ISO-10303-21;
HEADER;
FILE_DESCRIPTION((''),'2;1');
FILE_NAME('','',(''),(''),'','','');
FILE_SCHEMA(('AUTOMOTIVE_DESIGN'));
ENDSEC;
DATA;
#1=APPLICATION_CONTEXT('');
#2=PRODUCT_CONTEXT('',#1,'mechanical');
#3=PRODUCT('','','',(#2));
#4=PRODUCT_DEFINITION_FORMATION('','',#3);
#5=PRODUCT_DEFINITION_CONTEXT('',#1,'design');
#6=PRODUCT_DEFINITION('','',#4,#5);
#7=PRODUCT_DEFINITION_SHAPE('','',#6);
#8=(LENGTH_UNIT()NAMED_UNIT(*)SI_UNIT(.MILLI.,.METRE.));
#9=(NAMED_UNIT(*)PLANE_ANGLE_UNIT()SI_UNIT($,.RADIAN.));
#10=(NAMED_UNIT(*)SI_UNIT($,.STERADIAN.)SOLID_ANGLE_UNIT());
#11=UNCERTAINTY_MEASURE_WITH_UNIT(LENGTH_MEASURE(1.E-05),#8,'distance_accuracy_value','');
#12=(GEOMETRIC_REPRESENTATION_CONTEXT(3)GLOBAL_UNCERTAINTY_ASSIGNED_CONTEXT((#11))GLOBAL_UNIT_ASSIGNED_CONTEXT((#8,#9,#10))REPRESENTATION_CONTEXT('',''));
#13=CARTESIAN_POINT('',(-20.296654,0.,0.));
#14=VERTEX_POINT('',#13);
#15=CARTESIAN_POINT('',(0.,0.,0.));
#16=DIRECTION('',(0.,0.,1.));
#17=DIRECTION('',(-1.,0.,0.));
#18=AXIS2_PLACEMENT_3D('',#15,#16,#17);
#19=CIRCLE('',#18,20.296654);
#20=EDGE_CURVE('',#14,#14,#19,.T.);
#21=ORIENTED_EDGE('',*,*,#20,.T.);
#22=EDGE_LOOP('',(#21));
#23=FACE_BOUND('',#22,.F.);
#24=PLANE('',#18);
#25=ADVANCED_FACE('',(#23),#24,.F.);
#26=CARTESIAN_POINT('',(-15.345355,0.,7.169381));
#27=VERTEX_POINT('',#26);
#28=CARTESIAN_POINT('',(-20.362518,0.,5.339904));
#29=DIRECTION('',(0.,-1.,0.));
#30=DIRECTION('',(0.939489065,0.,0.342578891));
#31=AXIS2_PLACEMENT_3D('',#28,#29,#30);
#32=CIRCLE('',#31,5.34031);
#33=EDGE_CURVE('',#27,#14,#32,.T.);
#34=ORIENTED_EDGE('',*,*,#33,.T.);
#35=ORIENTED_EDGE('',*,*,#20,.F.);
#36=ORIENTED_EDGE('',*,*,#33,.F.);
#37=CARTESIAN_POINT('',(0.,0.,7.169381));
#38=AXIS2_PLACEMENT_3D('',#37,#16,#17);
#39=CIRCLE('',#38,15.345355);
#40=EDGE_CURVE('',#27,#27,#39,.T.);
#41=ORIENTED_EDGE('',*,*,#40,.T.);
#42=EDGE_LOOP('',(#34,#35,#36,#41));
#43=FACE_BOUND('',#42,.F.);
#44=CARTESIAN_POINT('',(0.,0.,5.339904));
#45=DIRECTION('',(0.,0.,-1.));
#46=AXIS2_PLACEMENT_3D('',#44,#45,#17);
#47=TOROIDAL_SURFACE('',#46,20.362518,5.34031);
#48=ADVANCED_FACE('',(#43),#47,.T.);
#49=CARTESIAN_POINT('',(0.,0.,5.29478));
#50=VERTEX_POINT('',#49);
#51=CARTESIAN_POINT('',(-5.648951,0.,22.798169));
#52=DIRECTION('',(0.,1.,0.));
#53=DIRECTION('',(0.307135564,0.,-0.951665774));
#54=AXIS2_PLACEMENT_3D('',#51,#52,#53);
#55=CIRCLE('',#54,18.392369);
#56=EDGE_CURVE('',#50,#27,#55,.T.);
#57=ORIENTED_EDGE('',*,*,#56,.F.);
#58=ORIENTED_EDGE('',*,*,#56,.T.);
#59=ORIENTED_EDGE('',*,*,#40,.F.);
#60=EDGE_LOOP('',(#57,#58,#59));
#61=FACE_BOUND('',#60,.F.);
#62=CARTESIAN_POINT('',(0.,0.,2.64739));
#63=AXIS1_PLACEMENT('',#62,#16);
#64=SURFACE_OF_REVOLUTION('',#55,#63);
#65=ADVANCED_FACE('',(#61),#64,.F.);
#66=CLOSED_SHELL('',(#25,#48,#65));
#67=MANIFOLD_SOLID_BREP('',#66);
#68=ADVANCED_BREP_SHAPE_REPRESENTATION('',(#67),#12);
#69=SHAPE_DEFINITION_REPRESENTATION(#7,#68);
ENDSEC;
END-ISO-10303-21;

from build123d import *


with BuildPart() as f1:
    # F0 (on Front) → F1 (revolve)
    with BuildSketch(Plane.XZ):
        with BuildLine():
            Line((-20.296654, 0), (0, 0))
            Line((0, 0), (0, 5.29478))
            ThreePointArc((0, 5.29478), (-7.879198, 4.541519), (-15.345355, 7.169381))
            ThreePointArc((-15.345355, 7.169381), (-15.103615, 6.268803), (-15.022207, 5.339904))
            ThreePointArc((-15.022207, 5.339904), (-16.563133, 1.587093), (-20.296654, 0))
        make_face()
        with BuildLine():
            ThreePointArc((-15.345355, 7.169381), (-24.756752, 8.374638), (-20.296654, 0))
            ThreePointArc((-20.296654, 0), (-16.563133, 1.587093), (-15.022207, 5.339904))
            ThreePointArc((-15.022207, 5.339904), (-15.103615, 6.268803), (-15.345355, 7.169381))
        make_face()
    revolve(axis=Axis((0, 0, 2.64739), (0, 0, 1)))


solid = f1.part
